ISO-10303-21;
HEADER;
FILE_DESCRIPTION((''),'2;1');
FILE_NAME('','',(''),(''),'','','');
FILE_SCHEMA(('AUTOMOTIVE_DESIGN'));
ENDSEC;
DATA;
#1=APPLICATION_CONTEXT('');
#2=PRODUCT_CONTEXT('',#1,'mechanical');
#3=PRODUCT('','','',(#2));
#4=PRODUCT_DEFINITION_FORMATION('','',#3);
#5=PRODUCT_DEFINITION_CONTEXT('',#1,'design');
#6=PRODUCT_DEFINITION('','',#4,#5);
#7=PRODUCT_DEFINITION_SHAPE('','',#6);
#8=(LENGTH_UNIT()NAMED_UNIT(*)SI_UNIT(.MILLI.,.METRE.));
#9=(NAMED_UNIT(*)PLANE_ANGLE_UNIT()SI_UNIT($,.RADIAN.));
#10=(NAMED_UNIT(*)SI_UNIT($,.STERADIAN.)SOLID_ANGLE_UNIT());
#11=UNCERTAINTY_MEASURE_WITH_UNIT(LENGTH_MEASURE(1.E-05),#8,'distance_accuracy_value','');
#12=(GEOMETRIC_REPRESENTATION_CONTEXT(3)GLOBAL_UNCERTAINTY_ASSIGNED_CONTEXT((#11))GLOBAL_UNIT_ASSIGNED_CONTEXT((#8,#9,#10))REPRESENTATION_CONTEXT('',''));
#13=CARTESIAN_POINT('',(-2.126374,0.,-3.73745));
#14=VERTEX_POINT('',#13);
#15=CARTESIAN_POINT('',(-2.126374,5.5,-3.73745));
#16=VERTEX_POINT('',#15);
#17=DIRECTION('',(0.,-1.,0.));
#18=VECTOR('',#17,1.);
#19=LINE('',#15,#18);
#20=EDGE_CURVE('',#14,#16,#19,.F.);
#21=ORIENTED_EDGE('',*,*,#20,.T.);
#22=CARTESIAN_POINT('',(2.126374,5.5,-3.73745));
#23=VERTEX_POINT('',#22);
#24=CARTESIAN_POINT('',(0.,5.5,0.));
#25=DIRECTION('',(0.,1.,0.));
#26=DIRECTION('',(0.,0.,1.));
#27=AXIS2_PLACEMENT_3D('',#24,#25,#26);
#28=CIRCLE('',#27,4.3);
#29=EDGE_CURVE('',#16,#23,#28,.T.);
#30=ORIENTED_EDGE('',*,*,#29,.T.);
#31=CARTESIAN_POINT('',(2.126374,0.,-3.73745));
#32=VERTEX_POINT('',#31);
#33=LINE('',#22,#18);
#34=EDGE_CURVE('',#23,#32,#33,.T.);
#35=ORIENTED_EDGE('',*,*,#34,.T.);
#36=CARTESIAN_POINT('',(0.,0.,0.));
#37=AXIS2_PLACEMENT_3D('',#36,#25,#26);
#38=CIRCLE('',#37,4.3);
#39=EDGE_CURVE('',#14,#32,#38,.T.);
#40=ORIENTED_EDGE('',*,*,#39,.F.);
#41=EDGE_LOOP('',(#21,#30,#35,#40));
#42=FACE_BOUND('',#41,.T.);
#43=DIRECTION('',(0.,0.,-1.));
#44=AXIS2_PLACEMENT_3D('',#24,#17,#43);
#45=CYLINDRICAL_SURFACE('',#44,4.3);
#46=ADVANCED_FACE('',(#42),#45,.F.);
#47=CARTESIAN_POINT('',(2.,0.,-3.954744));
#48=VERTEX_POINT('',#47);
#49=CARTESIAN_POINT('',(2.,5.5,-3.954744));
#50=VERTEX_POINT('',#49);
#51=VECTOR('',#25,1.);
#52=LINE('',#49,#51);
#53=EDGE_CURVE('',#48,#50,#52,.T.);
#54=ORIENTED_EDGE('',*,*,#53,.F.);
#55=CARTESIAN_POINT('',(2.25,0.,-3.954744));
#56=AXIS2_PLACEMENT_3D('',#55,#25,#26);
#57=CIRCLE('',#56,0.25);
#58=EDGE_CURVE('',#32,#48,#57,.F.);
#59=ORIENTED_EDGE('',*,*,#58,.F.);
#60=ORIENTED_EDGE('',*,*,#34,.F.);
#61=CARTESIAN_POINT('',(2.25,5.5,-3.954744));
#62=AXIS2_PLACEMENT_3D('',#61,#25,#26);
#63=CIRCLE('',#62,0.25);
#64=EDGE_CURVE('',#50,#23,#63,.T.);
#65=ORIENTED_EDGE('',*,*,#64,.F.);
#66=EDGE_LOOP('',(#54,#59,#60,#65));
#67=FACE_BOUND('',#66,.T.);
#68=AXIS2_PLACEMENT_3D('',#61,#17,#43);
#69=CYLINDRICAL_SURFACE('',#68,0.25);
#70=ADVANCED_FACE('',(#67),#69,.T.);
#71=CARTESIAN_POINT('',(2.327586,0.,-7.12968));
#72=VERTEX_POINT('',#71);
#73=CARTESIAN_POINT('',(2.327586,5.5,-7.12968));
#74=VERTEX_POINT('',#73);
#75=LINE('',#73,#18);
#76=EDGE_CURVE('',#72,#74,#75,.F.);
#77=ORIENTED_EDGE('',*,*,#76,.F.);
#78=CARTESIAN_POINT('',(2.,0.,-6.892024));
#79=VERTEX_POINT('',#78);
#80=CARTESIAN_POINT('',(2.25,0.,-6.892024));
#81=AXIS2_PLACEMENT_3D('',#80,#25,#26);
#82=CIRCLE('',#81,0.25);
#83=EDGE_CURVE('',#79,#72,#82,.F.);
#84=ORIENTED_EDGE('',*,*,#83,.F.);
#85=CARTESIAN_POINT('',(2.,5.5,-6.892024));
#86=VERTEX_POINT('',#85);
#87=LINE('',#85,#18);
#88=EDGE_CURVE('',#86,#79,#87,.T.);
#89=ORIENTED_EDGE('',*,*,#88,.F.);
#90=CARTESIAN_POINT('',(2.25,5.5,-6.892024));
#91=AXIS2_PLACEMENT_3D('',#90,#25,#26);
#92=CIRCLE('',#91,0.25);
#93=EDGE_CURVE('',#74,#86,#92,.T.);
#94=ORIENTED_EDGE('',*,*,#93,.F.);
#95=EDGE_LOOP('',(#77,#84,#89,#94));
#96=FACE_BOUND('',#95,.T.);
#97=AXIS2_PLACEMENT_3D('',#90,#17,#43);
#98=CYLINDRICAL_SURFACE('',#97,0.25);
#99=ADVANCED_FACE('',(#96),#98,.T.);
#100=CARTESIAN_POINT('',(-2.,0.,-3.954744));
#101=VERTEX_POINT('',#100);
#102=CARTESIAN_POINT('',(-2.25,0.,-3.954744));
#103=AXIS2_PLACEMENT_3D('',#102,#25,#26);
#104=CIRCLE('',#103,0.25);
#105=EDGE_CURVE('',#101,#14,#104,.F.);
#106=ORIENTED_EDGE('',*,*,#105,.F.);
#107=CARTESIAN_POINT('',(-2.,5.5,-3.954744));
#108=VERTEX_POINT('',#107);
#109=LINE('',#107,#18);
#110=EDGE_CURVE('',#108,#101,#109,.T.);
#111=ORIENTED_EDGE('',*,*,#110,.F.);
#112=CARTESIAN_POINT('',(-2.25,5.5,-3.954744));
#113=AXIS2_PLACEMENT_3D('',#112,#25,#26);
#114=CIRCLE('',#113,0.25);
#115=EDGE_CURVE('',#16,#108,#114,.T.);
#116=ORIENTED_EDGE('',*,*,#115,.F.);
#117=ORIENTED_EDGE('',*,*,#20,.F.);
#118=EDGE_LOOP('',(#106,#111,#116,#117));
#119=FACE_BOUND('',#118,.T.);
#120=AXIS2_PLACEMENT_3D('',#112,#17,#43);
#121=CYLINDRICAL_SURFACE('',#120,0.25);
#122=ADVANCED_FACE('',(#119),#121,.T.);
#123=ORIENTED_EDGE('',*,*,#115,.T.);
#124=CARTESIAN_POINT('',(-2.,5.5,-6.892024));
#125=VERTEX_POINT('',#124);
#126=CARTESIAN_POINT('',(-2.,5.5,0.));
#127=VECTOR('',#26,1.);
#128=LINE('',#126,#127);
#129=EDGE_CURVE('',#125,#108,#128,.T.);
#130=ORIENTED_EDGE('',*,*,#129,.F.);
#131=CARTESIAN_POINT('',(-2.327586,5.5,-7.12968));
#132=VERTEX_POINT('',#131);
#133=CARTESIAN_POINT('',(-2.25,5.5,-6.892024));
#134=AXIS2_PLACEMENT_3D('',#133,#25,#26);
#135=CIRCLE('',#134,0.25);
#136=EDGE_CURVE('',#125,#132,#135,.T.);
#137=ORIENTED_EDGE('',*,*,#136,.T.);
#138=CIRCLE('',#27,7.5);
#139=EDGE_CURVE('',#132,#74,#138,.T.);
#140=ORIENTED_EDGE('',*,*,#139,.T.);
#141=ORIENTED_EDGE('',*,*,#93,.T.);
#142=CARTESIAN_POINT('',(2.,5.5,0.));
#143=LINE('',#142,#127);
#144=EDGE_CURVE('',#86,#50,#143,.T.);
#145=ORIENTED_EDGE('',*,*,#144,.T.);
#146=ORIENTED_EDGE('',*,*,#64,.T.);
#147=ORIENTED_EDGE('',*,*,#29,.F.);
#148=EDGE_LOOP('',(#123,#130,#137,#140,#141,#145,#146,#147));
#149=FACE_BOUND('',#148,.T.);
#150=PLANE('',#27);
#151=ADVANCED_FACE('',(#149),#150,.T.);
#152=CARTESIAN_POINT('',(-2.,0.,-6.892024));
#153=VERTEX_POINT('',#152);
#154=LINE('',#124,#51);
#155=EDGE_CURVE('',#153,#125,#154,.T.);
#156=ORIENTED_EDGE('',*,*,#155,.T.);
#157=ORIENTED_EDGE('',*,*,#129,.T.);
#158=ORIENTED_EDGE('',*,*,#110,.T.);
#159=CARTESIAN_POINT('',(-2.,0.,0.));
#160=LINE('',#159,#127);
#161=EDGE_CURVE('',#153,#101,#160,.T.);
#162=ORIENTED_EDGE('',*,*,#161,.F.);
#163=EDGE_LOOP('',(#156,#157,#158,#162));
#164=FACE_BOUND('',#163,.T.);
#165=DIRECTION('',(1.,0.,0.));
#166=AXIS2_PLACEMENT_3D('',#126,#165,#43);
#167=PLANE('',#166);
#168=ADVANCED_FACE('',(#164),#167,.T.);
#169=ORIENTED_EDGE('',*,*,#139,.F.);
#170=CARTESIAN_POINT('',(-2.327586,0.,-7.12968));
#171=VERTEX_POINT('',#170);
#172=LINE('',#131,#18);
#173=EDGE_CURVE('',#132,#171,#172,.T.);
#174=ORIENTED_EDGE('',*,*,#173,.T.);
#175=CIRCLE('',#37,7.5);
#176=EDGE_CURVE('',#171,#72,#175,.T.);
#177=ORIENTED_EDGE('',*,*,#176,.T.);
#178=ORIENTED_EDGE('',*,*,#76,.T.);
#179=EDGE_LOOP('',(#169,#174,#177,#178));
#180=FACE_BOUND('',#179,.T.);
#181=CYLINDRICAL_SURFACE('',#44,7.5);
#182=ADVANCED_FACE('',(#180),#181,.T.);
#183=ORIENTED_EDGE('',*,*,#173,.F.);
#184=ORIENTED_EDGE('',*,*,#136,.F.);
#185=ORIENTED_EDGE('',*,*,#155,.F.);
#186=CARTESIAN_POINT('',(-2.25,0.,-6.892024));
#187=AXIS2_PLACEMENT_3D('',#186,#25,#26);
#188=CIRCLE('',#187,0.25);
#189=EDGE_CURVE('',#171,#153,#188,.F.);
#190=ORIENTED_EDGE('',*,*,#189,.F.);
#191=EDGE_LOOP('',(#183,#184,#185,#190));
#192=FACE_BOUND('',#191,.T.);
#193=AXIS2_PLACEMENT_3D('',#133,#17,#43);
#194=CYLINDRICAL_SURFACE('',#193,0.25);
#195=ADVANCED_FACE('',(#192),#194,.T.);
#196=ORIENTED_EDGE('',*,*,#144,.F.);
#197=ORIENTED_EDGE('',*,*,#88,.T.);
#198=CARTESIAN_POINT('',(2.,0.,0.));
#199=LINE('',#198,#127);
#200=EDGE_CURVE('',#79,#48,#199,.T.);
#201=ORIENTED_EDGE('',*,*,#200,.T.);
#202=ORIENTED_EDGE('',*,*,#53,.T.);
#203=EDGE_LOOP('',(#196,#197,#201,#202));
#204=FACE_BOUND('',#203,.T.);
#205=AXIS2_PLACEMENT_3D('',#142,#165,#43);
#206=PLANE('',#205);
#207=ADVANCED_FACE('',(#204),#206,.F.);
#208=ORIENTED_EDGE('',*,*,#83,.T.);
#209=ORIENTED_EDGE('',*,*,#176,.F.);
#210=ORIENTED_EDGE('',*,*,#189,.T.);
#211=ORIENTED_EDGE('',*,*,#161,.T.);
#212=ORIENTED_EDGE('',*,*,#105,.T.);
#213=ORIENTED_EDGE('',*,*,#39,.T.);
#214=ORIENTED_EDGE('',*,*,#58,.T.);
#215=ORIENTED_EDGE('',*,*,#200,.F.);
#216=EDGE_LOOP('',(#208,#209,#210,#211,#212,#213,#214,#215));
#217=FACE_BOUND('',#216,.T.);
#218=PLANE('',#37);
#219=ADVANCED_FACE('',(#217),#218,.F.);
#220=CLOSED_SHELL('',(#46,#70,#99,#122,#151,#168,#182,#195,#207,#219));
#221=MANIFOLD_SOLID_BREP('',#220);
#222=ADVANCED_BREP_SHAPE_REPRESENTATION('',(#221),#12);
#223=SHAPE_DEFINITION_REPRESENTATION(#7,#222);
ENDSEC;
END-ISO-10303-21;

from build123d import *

# Parameters (mm, degrees)
BOSS_EXTRUDE1_DEPTH = 5.5
FILLET1_R           = 0.25


with BuildPart() as part:
    # Sketch1 → Boss-Extrude1 (new body)
    with BuildSketch(Plane(origin=(0, 0, 0), x_dir=(1, 0, 0), z_dir=(0, 1, 0))):
        with BuildLine():
            Line((-2, 3.806573262), (-2, 7.228416147))
            ThreePointArc((-2, 7.228416147), (-4.541475531, -5.968668193), (7.5, 0))
            ThreePointArc((7.5, 0), (5.968668193, 4.541475531), (2, 7.228416147))
            Line((2, 7.228416147), (2, 3.806573262))
            ThreePointArc((2, 3.806573262), (3.680353244, 2.223735596), (4.3, 0))
            ThreePointArc((4.3, 0), (-2.223735596, -3.680353244), (-2, 3.806573262))
        make_face()
    extrude(amount=BOSS_EXTRUDE1_DEPTH)

    # Fillet1
    fillet1_edges = [part.edges().sort_by_distance(p)[0] for p in [
        (2, 2.75, -3.806573262),
        (2, 2.75, -7.228416147),
        (-2, 2.75, -7.228416147),
        (-2, 2.75, -3.806573262),
    ]]
    fillet(fillet1_edges, radius=FILLET1_R)


solid = part.part
